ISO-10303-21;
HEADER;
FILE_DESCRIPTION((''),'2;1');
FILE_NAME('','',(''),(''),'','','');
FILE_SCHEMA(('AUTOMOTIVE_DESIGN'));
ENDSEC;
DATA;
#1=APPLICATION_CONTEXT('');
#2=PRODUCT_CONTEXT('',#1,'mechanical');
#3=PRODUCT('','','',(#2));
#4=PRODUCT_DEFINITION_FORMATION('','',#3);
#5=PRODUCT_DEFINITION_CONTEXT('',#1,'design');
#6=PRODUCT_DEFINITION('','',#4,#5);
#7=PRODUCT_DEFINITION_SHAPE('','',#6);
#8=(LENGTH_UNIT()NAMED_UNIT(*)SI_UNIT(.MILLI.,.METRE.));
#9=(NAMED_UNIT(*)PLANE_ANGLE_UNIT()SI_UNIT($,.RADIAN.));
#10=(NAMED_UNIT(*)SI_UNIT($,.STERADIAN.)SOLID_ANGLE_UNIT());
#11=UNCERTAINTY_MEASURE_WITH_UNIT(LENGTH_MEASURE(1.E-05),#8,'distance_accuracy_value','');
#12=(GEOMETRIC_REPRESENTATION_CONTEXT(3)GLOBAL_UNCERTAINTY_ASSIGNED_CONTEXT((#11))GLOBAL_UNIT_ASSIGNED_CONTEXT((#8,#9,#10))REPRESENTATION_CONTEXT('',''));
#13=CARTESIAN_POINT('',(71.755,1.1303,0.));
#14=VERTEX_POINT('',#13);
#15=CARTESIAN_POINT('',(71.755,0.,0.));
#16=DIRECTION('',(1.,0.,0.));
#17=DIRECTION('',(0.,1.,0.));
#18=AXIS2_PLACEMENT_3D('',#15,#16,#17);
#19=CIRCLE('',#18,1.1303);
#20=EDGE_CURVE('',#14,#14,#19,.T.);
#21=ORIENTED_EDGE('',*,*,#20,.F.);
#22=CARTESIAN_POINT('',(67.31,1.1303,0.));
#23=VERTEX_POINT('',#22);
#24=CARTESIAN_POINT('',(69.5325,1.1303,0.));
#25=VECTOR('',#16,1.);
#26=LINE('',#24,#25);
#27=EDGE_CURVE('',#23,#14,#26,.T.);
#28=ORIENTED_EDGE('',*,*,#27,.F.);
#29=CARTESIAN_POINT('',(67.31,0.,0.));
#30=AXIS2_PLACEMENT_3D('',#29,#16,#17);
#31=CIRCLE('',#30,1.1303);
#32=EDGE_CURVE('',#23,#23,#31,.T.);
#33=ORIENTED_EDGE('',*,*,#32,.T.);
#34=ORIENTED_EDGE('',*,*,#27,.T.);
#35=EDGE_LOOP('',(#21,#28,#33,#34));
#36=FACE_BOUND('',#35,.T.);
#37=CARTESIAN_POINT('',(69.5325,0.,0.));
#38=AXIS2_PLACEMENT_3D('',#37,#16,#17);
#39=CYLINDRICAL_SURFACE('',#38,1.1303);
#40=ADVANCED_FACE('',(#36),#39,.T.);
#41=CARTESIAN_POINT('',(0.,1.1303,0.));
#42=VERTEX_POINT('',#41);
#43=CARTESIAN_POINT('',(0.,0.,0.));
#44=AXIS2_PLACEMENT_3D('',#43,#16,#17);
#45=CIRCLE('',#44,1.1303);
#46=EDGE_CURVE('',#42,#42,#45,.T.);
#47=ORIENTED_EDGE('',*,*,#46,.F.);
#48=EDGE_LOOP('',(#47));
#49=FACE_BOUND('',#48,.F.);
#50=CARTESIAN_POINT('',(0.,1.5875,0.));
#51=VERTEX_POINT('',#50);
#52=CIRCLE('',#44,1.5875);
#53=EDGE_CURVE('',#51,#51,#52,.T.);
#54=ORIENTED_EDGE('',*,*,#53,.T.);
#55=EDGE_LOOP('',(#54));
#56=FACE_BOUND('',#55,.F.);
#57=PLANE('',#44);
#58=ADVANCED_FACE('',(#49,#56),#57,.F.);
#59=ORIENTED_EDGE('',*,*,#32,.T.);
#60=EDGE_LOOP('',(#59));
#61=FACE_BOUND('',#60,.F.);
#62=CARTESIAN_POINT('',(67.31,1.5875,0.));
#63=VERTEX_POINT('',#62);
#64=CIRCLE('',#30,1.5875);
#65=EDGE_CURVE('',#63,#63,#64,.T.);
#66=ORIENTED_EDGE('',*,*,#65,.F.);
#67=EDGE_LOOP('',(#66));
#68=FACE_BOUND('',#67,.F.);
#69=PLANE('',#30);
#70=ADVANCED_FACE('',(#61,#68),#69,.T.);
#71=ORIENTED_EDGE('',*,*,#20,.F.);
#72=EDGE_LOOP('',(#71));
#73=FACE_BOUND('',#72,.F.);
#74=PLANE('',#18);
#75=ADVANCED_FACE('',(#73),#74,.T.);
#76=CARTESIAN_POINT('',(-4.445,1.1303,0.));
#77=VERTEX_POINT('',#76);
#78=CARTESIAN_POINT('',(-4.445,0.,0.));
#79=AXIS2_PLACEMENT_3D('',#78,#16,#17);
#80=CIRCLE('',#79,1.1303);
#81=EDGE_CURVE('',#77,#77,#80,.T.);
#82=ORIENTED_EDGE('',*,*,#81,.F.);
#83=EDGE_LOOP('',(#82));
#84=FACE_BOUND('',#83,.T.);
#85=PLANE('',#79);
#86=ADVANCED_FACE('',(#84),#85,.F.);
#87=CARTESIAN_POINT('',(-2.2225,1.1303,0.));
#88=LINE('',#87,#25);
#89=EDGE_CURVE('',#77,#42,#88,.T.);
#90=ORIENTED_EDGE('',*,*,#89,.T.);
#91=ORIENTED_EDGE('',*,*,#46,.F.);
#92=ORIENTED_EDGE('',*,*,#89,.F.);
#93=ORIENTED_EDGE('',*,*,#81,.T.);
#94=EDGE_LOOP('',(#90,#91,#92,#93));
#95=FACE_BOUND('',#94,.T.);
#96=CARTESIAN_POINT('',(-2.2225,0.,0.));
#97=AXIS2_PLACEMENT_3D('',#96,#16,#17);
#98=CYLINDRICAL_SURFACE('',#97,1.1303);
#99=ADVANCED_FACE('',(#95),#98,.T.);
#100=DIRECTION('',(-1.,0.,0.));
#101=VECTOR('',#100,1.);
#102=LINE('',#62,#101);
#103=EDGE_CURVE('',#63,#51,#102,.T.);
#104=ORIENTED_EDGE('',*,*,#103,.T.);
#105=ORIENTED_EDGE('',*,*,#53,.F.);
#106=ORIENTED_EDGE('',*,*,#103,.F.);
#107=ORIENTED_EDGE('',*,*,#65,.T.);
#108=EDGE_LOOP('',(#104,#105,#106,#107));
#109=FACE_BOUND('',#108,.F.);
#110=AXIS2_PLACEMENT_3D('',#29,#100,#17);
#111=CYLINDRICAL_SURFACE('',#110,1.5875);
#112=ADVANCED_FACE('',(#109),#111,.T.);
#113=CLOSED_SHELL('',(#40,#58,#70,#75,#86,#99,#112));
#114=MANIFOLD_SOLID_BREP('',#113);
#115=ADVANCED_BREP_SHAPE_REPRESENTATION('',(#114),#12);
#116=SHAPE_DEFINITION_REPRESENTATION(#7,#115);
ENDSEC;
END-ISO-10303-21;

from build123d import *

# Parameters (mm, degrees)
F0_W = 4.445
F0_H = 1.1303


with BuildPart() as f1:
    # F0 (on Top) → F1 (revolve)
    with BuildSketch(Plane.XY):
        with Locations((69.5325, 0.56515)):
            Rectangle(F0_W, F0_H)
        with Locations((-2.2225, 0.56515)):
            Rectangle(F0_W, F0_H)
        Polygon((0, 1.1303), (0, 0), (67.31, 0), (67.31, 1.1303), (67.31, 1.5875), (0, 1.5875), align=None)
    revolve(axis=Axis((33.655, 0, 0), (1, 0, 0)))


solid = f1.part
